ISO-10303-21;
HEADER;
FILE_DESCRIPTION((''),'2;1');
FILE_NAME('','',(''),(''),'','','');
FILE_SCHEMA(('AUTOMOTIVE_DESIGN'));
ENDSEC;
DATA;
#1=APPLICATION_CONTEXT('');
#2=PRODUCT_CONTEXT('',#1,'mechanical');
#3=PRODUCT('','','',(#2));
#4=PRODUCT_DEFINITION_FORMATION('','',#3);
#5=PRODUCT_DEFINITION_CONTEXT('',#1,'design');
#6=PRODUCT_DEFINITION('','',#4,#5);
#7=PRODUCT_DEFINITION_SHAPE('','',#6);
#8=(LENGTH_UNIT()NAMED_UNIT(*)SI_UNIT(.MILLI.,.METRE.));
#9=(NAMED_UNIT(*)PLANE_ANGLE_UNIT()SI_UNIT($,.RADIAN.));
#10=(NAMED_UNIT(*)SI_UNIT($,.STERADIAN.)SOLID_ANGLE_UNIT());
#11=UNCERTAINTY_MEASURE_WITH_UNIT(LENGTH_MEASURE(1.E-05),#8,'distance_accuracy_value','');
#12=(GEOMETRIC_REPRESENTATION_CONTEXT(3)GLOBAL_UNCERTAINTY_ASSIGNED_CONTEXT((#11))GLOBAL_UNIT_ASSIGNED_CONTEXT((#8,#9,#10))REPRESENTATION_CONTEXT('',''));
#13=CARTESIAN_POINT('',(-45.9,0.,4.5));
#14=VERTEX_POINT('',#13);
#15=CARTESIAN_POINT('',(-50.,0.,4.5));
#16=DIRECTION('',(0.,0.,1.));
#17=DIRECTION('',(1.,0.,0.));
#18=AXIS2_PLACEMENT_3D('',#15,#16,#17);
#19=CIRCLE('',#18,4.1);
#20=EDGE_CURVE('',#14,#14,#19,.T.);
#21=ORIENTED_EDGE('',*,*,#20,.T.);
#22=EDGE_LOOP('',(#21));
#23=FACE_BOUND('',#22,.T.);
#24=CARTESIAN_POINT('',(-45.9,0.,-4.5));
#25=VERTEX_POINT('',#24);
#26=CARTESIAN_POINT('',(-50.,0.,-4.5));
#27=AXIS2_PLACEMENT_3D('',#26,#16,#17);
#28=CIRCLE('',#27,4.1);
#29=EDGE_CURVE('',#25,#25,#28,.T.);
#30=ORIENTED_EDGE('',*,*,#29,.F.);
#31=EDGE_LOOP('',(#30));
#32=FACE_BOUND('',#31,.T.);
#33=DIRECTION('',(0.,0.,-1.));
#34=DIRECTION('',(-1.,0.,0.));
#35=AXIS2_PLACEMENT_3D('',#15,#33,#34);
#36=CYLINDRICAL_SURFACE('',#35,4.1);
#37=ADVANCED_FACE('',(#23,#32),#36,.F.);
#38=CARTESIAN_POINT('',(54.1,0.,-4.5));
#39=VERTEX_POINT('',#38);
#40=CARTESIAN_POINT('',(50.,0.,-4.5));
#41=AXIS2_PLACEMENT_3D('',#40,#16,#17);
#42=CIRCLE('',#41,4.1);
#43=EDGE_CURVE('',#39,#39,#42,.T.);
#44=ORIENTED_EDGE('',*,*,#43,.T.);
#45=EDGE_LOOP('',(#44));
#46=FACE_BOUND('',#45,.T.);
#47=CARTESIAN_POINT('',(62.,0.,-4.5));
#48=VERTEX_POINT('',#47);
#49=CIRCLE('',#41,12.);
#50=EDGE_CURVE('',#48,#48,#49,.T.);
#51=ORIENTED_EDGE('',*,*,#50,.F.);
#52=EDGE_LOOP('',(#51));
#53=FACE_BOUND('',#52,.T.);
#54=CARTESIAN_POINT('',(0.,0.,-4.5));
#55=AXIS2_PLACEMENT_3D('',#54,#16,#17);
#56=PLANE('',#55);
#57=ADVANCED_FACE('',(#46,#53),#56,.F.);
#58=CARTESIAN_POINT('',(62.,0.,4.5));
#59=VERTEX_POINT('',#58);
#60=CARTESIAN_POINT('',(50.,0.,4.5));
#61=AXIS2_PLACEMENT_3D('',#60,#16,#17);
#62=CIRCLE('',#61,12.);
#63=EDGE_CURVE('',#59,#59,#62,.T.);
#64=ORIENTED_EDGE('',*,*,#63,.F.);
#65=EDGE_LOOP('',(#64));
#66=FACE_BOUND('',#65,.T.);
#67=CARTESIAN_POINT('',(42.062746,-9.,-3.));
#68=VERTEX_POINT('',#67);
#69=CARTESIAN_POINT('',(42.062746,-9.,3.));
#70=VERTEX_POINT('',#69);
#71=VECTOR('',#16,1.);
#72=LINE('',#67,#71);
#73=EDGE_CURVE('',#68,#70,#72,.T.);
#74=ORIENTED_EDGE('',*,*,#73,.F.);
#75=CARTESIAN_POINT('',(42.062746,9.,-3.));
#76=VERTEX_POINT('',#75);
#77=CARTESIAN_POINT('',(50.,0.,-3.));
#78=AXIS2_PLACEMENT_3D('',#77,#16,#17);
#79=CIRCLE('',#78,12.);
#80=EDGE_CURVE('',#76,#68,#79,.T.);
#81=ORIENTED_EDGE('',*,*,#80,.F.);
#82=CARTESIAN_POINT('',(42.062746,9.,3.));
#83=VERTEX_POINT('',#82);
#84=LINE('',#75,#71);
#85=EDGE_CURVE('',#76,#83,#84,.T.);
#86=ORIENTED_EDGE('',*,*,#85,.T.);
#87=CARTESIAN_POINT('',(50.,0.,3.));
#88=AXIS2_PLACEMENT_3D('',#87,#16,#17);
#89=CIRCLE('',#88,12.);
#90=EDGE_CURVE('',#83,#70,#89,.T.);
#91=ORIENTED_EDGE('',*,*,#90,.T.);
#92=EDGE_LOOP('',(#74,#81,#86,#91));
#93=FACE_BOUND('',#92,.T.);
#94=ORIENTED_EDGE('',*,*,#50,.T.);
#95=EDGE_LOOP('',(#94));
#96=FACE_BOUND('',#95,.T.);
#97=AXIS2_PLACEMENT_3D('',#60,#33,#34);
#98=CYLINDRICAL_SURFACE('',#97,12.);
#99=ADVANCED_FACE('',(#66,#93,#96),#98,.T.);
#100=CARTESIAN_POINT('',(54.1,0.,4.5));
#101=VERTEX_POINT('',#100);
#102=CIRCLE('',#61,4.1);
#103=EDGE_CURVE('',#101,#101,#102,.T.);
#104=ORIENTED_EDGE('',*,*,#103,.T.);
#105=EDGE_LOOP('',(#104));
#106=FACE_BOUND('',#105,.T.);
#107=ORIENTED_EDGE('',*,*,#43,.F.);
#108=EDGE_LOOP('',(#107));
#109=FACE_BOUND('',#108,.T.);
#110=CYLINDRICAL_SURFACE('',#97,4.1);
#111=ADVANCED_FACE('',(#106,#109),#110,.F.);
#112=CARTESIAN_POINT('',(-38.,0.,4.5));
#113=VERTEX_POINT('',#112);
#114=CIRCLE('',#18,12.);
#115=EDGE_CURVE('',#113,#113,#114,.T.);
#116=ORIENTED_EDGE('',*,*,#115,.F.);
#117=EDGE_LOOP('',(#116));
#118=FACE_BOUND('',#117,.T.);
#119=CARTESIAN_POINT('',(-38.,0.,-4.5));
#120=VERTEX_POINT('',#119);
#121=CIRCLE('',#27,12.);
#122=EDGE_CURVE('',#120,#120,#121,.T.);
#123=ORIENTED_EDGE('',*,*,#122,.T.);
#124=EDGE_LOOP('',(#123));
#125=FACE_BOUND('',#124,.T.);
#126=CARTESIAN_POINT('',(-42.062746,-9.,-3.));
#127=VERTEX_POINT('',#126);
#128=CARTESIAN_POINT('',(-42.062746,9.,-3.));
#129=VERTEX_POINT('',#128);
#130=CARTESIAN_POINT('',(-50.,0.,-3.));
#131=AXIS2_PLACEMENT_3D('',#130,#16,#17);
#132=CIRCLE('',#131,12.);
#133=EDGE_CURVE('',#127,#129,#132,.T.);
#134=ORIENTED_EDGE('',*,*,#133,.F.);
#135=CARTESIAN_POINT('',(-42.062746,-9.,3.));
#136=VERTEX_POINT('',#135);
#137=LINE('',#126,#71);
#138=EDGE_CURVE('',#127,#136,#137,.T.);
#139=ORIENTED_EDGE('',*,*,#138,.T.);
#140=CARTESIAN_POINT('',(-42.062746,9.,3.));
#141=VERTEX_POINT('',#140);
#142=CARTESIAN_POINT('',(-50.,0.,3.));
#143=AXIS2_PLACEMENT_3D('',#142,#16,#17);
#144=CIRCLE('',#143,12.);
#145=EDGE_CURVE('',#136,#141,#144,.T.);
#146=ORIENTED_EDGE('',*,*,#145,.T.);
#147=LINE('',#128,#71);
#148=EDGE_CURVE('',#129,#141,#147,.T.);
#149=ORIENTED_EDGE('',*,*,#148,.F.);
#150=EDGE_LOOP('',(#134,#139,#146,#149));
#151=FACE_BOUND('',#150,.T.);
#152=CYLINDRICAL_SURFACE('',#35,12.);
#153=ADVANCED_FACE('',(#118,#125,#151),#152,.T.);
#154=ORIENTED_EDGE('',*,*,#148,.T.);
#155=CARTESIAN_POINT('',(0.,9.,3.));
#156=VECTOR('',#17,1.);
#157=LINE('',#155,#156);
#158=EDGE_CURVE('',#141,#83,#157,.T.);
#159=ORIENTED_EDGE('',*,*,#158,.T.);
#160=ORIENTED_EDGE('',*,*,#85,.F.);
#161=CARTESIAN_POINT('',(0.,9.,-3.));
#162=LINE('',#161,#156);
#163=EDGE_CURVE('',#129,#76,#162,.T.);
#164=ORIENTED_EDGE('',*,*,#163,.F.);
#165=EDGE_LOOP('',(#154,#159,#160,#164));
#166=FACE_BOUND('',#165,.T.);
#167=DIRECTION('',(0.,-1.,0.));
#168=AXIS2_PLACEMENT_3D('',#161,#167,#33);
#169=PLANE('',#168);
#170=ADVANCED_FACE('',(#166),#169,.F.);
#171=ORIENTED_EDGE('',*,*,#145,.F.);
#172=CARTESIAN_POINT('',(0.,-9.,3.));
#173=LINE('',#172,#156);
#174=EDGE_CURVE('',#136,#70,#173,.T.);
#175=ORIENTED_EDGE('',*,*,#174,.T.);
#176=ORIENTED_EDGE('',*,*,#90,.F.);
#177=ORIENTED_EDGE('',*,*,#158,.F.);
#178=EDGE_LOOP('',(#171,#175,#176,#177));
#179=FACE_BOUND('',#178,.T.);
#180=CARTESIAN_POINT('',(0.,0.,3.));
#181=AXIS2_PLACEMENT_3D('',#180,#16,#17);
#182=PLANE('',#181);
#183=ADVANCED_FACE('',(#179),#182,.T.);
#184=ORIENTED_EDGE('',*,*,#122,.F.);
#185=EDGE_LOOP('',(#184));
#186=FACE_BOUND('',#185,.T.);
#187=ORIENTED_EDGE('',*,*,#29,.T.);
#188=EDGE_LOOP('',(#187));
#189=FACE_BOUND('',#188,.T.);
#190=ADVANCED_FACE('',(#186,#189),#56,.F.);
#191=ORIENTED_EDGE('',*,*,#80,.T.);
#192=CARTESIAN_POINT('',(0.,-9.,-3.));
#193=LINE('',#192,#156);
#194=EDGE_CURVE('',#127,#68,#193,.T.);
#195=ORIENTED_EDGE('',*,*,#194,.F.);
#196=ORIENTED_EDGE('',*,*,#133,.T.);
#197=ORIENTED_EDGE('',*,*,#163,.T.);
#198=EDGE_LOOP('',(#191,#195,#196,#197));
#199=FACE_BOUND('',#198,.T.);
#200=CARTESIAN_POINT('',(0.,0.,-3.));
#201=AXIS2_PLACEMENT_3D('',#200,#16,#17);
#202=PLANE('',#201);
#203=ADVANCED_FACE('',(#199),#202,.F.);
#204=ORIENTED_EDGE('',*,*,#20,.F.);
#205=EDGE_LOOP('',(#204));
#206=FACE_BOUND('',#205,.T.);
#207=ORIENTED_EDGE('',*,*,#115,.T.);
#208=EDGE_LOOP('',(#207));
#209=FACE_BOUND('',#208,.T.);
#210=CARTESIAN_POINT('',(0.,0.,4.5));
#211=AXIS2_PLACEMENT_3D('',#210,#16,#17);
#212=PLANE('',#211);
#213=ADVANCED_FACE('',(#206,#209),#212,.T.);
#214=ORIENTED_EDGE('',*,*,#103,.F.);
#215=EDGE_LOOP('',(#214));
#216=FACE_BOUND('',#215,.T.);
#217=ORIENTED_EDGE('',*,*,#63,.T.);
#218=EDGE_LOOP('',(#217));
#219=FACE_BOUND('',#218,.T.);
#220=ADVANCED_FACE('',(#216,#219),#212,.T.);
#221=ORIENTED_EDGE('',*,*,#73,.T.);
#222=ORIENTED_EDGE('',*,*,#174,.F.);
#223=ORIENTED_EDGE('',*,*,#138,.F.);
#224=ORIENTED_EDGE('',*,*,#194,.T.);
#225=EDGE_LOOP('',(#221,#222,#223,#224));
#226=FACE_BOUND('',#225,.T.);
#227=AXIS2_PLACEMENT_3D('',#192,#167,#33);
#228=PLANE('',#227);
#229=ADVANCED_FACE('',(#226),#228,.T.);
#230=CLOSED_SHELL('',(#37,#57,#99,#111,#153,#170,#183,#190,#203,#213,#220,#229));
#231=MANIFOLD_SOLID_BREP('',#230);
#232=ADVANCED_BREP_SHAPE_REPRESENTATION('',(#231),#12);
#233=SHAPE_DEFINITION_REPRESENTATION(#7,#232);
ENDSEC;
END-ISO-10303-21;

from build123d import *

# Parameters (mm, degrees)
EXTRUDE_1_DEPTH      = 3
EXTRUDE_1_DEPTH_BACK = 3
SKETCH_1_4_R         = 12
SKETCH_1_4_R_2       = 4.1
EXTRUDE_2_DEPTH      = 4.5


with BuildPart() as part:
    # 草图1 → 凸台-拉伸1 (new, two sides: drawn at the far end of the back side and taken through both)
    with BuildSketch(Plane.XY.offset(-EXTRUDE_1_DEPTH_BACK)):
        with BuildLine():
            Line((42.062746067, 9), (-42.062746067, 9))
            ThreePointArc((-42.062746067, 9), (-39.062746067, 4.937253933), (-38, 0))
            ThreePointArc((-38, 0), (-39.062746067, -4.937253933), (-42.062746067, -9))
            Line((-42.062746067, -9), (42.062746067, -9))
            ThreePointArc((42.062746067, -9), (38, 0), (42.062746067, 9))
        make_face()
    extrude(amount=EXTRUDE_1_DEPTH + EXTRUDE_1_DEPTH_BACK)

    # 草图1<4> → 凸台-拉伸2 (add, symmetric)
    # profile 1 of 2: a face of its own
    with BuildSketch(Plane.XY):
        with Locations((-50, 0)):
            Circle(SKETCH_1_4_R)
        with Locations((-50, 0)):
            Circle(SKETCH_1_4_R_2, mode=Mode.SUBTRACT)
    # profile 2 of 2: a face of its own
    with BuildSketch(Plane.XY):
        with Locations((50, 0)):
            Circle(SKETCH_1_4_R)
        with Locations((50, 0)):
            Circle(SKETCH_1_4_R_2, mode=Mode.SUBTRACT)
    extrude(amount=EXTRUDE_2_DEPTH, both=True)


solid = part.part
